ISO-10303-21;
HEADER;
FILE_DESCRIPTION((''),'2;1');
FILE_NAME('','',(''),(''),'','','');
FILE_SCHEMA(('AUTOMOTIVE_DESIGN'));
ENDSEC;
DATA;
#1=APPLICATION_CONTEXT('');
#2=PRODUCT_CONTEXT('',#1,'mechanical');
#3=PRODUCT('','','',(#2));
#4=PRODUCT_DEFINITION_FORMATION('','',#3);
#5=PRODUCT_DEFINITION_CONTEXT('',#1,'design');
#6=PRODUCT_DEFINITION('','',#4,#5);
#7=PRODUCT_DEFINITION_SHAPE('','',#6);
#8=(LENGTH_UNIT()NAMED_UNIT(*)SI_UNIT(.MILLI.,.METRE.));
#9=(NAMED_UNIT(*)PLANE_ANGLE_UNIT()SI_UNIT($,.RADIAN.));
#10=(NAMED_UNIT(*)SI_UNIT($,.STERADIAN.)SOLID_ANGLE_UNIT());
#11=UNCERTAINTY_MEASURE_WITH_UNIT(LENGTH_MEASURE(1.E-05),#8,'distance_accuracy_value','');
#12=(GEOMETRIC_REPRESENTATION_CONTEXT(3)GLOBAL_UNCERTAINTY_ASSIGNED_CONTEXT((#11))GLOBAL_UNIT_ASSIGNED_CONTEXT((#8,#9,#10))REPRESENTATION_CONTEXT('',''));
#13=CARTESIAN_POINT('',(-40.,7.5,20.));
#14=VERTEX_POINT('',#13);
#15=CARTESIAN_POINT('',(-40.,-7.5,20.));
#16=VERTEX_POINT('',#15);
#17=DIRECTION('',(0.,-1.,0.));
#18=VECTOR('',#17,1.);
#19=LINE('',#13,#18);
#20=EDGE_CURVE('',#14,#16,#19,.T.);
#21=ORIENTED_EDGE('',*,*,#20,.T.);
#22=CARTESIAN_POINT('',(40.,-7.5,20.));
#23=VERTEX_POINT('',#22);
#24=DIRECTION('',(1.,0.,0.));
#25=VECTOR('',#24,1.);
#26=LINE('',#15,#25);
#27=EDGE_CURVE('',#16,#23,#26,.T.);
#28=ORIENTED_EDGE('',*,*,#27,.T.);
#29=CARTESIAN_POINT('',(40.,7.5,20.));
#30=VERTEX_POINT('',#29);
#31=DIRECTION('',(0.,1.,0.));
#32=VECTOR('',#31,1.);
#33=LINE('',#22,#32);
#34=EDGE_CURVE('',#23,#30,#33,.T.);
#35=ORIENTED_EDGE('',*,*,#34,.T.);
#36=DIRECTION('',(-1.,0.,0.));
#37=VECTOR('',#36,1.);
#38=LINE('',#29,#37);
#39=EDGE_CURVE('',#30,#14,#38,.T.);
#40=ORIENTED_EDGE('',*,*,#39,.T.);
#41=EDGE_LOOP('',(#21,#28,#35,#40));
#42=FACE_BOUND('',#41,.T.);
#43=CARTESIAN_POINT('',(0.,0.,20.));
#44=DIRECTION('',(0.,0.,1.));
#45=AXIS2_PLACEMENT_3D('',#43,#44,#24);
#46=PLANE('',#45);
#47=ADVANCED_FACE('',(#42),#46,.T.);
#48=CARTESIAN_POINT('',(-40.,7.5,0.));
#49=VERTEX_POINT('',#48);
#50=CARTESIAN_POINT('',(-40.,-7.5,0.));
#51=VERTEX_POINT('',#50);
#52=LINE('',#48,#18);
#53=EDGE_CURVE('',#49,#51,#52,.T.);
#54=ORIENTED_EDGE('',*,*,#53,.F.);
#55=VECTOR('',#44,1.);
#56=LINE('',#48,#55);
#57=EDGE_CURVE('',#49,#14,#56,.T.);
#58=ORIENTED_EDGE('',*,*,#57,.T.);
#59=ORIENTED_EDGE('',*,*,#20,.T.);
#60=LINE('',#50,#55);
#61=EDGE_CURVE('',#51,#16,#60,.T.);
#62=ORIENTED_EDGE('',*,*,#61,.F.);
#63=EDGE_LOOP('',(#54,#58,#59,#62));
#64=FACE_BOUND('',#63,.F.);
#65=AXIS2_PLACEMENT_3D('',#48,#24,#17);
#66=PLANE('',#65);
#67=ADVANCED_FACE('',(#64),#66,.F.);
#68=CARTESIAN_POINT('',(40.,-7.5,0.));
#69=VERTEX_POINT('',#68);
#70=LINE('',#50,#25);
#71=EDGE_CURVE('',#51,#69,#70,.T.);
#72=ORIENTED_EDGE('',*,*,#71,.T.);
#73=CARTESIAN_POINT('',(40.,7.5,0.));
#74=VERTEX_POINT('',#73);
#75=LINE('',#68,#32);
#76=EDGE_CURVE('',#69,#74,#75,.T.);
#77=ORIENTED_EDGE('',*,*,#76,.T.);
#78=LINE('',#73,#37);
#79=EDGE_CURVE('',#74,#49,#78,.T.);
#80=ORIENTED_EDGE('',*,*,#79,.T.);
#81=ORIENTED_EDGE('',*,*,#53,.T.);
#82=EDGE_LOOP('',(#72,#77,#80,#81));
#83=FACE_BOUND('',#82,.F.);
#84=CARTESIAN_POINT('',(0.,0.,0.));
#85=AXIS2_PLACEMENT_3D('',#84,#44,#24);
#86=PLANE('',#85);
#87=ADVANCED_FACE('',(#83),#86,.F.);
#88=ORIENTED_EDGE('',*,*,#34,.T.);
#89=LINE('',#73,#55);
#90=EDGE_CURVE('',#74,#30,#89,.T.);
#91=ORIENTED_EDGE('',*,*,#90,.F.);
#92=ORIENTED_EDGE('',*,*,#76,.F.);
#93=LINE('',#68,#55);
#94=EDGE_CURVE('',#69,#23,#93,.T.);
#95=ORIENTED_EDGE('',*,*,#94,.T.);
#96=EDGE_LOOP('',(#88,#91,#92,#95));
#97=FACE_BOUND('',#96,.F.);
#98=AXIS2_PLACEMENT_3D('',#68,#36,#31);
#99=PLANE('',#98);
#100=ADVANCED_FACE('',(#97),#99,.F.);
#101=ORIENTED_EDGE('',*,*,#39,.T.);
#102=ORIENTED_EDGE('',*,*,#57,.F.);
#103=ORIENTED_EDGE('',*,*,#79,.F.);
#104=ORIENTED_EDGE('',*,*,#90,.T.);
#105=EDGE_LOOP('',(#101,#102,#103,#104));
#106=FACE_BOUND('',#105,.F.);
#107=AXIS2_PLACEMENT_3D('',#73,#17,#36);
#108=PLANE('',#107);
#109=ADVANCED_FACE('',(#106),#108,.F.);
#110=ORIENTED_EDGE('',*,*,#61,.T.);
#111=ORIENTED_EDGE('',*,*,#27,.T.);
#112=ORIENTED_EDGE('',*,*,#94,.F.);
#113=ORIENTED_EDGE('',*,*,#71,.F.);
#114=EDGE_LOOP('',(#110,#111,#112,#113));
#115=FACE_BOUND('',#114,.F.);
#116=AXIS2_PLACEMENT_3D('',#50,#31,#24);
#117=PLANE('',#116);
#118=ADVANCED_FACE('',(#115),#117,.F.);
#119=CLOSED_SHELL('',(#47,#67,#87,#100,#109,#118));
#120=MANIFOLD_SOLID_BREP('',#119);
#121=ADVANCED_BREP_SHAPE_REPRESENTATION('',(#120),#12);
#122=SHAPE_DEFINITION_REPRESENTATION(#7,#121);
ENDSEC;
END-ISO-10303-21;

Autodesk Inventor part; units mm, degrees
ref_plane "YZ Plane" through (0, 0, 0) normal (1, 0, 0) x (0, 1, 0)
ref_plane "XZ Plane" through (0, 0, 0) normal (0, 1, 0) x (-1, 0, 0)
ref_plane "XY Plane" through (0, 0, 0) normal (0, 0, 1) x (1, 0, 0)
sketch "スケッチ1" plane through (0, 0, 0) normal (0, 0, 1) x (1, 0, 0)
  line L0 (40, 7.5) -> (-40, 7.5)
  line L1 (-40, 7.5) -> (-40, -7.5)
  line L2 (-40, -7.5) -> (40, -7.5)
  line L3 (40, -7.5) -> (40, 7.5)
  line L4 (40, 7.5) -> (-40, -7.5) construction
  line L5 (-40, 7.5) -> (40, -7.5) construction
  point P0 (0, 0)
  dimension "d0" = 80
  dimension "d1" = 15
extrude "押し出し1" add sketch "スケッチ1" along normal blind 20
properties part number "Color sensor"
